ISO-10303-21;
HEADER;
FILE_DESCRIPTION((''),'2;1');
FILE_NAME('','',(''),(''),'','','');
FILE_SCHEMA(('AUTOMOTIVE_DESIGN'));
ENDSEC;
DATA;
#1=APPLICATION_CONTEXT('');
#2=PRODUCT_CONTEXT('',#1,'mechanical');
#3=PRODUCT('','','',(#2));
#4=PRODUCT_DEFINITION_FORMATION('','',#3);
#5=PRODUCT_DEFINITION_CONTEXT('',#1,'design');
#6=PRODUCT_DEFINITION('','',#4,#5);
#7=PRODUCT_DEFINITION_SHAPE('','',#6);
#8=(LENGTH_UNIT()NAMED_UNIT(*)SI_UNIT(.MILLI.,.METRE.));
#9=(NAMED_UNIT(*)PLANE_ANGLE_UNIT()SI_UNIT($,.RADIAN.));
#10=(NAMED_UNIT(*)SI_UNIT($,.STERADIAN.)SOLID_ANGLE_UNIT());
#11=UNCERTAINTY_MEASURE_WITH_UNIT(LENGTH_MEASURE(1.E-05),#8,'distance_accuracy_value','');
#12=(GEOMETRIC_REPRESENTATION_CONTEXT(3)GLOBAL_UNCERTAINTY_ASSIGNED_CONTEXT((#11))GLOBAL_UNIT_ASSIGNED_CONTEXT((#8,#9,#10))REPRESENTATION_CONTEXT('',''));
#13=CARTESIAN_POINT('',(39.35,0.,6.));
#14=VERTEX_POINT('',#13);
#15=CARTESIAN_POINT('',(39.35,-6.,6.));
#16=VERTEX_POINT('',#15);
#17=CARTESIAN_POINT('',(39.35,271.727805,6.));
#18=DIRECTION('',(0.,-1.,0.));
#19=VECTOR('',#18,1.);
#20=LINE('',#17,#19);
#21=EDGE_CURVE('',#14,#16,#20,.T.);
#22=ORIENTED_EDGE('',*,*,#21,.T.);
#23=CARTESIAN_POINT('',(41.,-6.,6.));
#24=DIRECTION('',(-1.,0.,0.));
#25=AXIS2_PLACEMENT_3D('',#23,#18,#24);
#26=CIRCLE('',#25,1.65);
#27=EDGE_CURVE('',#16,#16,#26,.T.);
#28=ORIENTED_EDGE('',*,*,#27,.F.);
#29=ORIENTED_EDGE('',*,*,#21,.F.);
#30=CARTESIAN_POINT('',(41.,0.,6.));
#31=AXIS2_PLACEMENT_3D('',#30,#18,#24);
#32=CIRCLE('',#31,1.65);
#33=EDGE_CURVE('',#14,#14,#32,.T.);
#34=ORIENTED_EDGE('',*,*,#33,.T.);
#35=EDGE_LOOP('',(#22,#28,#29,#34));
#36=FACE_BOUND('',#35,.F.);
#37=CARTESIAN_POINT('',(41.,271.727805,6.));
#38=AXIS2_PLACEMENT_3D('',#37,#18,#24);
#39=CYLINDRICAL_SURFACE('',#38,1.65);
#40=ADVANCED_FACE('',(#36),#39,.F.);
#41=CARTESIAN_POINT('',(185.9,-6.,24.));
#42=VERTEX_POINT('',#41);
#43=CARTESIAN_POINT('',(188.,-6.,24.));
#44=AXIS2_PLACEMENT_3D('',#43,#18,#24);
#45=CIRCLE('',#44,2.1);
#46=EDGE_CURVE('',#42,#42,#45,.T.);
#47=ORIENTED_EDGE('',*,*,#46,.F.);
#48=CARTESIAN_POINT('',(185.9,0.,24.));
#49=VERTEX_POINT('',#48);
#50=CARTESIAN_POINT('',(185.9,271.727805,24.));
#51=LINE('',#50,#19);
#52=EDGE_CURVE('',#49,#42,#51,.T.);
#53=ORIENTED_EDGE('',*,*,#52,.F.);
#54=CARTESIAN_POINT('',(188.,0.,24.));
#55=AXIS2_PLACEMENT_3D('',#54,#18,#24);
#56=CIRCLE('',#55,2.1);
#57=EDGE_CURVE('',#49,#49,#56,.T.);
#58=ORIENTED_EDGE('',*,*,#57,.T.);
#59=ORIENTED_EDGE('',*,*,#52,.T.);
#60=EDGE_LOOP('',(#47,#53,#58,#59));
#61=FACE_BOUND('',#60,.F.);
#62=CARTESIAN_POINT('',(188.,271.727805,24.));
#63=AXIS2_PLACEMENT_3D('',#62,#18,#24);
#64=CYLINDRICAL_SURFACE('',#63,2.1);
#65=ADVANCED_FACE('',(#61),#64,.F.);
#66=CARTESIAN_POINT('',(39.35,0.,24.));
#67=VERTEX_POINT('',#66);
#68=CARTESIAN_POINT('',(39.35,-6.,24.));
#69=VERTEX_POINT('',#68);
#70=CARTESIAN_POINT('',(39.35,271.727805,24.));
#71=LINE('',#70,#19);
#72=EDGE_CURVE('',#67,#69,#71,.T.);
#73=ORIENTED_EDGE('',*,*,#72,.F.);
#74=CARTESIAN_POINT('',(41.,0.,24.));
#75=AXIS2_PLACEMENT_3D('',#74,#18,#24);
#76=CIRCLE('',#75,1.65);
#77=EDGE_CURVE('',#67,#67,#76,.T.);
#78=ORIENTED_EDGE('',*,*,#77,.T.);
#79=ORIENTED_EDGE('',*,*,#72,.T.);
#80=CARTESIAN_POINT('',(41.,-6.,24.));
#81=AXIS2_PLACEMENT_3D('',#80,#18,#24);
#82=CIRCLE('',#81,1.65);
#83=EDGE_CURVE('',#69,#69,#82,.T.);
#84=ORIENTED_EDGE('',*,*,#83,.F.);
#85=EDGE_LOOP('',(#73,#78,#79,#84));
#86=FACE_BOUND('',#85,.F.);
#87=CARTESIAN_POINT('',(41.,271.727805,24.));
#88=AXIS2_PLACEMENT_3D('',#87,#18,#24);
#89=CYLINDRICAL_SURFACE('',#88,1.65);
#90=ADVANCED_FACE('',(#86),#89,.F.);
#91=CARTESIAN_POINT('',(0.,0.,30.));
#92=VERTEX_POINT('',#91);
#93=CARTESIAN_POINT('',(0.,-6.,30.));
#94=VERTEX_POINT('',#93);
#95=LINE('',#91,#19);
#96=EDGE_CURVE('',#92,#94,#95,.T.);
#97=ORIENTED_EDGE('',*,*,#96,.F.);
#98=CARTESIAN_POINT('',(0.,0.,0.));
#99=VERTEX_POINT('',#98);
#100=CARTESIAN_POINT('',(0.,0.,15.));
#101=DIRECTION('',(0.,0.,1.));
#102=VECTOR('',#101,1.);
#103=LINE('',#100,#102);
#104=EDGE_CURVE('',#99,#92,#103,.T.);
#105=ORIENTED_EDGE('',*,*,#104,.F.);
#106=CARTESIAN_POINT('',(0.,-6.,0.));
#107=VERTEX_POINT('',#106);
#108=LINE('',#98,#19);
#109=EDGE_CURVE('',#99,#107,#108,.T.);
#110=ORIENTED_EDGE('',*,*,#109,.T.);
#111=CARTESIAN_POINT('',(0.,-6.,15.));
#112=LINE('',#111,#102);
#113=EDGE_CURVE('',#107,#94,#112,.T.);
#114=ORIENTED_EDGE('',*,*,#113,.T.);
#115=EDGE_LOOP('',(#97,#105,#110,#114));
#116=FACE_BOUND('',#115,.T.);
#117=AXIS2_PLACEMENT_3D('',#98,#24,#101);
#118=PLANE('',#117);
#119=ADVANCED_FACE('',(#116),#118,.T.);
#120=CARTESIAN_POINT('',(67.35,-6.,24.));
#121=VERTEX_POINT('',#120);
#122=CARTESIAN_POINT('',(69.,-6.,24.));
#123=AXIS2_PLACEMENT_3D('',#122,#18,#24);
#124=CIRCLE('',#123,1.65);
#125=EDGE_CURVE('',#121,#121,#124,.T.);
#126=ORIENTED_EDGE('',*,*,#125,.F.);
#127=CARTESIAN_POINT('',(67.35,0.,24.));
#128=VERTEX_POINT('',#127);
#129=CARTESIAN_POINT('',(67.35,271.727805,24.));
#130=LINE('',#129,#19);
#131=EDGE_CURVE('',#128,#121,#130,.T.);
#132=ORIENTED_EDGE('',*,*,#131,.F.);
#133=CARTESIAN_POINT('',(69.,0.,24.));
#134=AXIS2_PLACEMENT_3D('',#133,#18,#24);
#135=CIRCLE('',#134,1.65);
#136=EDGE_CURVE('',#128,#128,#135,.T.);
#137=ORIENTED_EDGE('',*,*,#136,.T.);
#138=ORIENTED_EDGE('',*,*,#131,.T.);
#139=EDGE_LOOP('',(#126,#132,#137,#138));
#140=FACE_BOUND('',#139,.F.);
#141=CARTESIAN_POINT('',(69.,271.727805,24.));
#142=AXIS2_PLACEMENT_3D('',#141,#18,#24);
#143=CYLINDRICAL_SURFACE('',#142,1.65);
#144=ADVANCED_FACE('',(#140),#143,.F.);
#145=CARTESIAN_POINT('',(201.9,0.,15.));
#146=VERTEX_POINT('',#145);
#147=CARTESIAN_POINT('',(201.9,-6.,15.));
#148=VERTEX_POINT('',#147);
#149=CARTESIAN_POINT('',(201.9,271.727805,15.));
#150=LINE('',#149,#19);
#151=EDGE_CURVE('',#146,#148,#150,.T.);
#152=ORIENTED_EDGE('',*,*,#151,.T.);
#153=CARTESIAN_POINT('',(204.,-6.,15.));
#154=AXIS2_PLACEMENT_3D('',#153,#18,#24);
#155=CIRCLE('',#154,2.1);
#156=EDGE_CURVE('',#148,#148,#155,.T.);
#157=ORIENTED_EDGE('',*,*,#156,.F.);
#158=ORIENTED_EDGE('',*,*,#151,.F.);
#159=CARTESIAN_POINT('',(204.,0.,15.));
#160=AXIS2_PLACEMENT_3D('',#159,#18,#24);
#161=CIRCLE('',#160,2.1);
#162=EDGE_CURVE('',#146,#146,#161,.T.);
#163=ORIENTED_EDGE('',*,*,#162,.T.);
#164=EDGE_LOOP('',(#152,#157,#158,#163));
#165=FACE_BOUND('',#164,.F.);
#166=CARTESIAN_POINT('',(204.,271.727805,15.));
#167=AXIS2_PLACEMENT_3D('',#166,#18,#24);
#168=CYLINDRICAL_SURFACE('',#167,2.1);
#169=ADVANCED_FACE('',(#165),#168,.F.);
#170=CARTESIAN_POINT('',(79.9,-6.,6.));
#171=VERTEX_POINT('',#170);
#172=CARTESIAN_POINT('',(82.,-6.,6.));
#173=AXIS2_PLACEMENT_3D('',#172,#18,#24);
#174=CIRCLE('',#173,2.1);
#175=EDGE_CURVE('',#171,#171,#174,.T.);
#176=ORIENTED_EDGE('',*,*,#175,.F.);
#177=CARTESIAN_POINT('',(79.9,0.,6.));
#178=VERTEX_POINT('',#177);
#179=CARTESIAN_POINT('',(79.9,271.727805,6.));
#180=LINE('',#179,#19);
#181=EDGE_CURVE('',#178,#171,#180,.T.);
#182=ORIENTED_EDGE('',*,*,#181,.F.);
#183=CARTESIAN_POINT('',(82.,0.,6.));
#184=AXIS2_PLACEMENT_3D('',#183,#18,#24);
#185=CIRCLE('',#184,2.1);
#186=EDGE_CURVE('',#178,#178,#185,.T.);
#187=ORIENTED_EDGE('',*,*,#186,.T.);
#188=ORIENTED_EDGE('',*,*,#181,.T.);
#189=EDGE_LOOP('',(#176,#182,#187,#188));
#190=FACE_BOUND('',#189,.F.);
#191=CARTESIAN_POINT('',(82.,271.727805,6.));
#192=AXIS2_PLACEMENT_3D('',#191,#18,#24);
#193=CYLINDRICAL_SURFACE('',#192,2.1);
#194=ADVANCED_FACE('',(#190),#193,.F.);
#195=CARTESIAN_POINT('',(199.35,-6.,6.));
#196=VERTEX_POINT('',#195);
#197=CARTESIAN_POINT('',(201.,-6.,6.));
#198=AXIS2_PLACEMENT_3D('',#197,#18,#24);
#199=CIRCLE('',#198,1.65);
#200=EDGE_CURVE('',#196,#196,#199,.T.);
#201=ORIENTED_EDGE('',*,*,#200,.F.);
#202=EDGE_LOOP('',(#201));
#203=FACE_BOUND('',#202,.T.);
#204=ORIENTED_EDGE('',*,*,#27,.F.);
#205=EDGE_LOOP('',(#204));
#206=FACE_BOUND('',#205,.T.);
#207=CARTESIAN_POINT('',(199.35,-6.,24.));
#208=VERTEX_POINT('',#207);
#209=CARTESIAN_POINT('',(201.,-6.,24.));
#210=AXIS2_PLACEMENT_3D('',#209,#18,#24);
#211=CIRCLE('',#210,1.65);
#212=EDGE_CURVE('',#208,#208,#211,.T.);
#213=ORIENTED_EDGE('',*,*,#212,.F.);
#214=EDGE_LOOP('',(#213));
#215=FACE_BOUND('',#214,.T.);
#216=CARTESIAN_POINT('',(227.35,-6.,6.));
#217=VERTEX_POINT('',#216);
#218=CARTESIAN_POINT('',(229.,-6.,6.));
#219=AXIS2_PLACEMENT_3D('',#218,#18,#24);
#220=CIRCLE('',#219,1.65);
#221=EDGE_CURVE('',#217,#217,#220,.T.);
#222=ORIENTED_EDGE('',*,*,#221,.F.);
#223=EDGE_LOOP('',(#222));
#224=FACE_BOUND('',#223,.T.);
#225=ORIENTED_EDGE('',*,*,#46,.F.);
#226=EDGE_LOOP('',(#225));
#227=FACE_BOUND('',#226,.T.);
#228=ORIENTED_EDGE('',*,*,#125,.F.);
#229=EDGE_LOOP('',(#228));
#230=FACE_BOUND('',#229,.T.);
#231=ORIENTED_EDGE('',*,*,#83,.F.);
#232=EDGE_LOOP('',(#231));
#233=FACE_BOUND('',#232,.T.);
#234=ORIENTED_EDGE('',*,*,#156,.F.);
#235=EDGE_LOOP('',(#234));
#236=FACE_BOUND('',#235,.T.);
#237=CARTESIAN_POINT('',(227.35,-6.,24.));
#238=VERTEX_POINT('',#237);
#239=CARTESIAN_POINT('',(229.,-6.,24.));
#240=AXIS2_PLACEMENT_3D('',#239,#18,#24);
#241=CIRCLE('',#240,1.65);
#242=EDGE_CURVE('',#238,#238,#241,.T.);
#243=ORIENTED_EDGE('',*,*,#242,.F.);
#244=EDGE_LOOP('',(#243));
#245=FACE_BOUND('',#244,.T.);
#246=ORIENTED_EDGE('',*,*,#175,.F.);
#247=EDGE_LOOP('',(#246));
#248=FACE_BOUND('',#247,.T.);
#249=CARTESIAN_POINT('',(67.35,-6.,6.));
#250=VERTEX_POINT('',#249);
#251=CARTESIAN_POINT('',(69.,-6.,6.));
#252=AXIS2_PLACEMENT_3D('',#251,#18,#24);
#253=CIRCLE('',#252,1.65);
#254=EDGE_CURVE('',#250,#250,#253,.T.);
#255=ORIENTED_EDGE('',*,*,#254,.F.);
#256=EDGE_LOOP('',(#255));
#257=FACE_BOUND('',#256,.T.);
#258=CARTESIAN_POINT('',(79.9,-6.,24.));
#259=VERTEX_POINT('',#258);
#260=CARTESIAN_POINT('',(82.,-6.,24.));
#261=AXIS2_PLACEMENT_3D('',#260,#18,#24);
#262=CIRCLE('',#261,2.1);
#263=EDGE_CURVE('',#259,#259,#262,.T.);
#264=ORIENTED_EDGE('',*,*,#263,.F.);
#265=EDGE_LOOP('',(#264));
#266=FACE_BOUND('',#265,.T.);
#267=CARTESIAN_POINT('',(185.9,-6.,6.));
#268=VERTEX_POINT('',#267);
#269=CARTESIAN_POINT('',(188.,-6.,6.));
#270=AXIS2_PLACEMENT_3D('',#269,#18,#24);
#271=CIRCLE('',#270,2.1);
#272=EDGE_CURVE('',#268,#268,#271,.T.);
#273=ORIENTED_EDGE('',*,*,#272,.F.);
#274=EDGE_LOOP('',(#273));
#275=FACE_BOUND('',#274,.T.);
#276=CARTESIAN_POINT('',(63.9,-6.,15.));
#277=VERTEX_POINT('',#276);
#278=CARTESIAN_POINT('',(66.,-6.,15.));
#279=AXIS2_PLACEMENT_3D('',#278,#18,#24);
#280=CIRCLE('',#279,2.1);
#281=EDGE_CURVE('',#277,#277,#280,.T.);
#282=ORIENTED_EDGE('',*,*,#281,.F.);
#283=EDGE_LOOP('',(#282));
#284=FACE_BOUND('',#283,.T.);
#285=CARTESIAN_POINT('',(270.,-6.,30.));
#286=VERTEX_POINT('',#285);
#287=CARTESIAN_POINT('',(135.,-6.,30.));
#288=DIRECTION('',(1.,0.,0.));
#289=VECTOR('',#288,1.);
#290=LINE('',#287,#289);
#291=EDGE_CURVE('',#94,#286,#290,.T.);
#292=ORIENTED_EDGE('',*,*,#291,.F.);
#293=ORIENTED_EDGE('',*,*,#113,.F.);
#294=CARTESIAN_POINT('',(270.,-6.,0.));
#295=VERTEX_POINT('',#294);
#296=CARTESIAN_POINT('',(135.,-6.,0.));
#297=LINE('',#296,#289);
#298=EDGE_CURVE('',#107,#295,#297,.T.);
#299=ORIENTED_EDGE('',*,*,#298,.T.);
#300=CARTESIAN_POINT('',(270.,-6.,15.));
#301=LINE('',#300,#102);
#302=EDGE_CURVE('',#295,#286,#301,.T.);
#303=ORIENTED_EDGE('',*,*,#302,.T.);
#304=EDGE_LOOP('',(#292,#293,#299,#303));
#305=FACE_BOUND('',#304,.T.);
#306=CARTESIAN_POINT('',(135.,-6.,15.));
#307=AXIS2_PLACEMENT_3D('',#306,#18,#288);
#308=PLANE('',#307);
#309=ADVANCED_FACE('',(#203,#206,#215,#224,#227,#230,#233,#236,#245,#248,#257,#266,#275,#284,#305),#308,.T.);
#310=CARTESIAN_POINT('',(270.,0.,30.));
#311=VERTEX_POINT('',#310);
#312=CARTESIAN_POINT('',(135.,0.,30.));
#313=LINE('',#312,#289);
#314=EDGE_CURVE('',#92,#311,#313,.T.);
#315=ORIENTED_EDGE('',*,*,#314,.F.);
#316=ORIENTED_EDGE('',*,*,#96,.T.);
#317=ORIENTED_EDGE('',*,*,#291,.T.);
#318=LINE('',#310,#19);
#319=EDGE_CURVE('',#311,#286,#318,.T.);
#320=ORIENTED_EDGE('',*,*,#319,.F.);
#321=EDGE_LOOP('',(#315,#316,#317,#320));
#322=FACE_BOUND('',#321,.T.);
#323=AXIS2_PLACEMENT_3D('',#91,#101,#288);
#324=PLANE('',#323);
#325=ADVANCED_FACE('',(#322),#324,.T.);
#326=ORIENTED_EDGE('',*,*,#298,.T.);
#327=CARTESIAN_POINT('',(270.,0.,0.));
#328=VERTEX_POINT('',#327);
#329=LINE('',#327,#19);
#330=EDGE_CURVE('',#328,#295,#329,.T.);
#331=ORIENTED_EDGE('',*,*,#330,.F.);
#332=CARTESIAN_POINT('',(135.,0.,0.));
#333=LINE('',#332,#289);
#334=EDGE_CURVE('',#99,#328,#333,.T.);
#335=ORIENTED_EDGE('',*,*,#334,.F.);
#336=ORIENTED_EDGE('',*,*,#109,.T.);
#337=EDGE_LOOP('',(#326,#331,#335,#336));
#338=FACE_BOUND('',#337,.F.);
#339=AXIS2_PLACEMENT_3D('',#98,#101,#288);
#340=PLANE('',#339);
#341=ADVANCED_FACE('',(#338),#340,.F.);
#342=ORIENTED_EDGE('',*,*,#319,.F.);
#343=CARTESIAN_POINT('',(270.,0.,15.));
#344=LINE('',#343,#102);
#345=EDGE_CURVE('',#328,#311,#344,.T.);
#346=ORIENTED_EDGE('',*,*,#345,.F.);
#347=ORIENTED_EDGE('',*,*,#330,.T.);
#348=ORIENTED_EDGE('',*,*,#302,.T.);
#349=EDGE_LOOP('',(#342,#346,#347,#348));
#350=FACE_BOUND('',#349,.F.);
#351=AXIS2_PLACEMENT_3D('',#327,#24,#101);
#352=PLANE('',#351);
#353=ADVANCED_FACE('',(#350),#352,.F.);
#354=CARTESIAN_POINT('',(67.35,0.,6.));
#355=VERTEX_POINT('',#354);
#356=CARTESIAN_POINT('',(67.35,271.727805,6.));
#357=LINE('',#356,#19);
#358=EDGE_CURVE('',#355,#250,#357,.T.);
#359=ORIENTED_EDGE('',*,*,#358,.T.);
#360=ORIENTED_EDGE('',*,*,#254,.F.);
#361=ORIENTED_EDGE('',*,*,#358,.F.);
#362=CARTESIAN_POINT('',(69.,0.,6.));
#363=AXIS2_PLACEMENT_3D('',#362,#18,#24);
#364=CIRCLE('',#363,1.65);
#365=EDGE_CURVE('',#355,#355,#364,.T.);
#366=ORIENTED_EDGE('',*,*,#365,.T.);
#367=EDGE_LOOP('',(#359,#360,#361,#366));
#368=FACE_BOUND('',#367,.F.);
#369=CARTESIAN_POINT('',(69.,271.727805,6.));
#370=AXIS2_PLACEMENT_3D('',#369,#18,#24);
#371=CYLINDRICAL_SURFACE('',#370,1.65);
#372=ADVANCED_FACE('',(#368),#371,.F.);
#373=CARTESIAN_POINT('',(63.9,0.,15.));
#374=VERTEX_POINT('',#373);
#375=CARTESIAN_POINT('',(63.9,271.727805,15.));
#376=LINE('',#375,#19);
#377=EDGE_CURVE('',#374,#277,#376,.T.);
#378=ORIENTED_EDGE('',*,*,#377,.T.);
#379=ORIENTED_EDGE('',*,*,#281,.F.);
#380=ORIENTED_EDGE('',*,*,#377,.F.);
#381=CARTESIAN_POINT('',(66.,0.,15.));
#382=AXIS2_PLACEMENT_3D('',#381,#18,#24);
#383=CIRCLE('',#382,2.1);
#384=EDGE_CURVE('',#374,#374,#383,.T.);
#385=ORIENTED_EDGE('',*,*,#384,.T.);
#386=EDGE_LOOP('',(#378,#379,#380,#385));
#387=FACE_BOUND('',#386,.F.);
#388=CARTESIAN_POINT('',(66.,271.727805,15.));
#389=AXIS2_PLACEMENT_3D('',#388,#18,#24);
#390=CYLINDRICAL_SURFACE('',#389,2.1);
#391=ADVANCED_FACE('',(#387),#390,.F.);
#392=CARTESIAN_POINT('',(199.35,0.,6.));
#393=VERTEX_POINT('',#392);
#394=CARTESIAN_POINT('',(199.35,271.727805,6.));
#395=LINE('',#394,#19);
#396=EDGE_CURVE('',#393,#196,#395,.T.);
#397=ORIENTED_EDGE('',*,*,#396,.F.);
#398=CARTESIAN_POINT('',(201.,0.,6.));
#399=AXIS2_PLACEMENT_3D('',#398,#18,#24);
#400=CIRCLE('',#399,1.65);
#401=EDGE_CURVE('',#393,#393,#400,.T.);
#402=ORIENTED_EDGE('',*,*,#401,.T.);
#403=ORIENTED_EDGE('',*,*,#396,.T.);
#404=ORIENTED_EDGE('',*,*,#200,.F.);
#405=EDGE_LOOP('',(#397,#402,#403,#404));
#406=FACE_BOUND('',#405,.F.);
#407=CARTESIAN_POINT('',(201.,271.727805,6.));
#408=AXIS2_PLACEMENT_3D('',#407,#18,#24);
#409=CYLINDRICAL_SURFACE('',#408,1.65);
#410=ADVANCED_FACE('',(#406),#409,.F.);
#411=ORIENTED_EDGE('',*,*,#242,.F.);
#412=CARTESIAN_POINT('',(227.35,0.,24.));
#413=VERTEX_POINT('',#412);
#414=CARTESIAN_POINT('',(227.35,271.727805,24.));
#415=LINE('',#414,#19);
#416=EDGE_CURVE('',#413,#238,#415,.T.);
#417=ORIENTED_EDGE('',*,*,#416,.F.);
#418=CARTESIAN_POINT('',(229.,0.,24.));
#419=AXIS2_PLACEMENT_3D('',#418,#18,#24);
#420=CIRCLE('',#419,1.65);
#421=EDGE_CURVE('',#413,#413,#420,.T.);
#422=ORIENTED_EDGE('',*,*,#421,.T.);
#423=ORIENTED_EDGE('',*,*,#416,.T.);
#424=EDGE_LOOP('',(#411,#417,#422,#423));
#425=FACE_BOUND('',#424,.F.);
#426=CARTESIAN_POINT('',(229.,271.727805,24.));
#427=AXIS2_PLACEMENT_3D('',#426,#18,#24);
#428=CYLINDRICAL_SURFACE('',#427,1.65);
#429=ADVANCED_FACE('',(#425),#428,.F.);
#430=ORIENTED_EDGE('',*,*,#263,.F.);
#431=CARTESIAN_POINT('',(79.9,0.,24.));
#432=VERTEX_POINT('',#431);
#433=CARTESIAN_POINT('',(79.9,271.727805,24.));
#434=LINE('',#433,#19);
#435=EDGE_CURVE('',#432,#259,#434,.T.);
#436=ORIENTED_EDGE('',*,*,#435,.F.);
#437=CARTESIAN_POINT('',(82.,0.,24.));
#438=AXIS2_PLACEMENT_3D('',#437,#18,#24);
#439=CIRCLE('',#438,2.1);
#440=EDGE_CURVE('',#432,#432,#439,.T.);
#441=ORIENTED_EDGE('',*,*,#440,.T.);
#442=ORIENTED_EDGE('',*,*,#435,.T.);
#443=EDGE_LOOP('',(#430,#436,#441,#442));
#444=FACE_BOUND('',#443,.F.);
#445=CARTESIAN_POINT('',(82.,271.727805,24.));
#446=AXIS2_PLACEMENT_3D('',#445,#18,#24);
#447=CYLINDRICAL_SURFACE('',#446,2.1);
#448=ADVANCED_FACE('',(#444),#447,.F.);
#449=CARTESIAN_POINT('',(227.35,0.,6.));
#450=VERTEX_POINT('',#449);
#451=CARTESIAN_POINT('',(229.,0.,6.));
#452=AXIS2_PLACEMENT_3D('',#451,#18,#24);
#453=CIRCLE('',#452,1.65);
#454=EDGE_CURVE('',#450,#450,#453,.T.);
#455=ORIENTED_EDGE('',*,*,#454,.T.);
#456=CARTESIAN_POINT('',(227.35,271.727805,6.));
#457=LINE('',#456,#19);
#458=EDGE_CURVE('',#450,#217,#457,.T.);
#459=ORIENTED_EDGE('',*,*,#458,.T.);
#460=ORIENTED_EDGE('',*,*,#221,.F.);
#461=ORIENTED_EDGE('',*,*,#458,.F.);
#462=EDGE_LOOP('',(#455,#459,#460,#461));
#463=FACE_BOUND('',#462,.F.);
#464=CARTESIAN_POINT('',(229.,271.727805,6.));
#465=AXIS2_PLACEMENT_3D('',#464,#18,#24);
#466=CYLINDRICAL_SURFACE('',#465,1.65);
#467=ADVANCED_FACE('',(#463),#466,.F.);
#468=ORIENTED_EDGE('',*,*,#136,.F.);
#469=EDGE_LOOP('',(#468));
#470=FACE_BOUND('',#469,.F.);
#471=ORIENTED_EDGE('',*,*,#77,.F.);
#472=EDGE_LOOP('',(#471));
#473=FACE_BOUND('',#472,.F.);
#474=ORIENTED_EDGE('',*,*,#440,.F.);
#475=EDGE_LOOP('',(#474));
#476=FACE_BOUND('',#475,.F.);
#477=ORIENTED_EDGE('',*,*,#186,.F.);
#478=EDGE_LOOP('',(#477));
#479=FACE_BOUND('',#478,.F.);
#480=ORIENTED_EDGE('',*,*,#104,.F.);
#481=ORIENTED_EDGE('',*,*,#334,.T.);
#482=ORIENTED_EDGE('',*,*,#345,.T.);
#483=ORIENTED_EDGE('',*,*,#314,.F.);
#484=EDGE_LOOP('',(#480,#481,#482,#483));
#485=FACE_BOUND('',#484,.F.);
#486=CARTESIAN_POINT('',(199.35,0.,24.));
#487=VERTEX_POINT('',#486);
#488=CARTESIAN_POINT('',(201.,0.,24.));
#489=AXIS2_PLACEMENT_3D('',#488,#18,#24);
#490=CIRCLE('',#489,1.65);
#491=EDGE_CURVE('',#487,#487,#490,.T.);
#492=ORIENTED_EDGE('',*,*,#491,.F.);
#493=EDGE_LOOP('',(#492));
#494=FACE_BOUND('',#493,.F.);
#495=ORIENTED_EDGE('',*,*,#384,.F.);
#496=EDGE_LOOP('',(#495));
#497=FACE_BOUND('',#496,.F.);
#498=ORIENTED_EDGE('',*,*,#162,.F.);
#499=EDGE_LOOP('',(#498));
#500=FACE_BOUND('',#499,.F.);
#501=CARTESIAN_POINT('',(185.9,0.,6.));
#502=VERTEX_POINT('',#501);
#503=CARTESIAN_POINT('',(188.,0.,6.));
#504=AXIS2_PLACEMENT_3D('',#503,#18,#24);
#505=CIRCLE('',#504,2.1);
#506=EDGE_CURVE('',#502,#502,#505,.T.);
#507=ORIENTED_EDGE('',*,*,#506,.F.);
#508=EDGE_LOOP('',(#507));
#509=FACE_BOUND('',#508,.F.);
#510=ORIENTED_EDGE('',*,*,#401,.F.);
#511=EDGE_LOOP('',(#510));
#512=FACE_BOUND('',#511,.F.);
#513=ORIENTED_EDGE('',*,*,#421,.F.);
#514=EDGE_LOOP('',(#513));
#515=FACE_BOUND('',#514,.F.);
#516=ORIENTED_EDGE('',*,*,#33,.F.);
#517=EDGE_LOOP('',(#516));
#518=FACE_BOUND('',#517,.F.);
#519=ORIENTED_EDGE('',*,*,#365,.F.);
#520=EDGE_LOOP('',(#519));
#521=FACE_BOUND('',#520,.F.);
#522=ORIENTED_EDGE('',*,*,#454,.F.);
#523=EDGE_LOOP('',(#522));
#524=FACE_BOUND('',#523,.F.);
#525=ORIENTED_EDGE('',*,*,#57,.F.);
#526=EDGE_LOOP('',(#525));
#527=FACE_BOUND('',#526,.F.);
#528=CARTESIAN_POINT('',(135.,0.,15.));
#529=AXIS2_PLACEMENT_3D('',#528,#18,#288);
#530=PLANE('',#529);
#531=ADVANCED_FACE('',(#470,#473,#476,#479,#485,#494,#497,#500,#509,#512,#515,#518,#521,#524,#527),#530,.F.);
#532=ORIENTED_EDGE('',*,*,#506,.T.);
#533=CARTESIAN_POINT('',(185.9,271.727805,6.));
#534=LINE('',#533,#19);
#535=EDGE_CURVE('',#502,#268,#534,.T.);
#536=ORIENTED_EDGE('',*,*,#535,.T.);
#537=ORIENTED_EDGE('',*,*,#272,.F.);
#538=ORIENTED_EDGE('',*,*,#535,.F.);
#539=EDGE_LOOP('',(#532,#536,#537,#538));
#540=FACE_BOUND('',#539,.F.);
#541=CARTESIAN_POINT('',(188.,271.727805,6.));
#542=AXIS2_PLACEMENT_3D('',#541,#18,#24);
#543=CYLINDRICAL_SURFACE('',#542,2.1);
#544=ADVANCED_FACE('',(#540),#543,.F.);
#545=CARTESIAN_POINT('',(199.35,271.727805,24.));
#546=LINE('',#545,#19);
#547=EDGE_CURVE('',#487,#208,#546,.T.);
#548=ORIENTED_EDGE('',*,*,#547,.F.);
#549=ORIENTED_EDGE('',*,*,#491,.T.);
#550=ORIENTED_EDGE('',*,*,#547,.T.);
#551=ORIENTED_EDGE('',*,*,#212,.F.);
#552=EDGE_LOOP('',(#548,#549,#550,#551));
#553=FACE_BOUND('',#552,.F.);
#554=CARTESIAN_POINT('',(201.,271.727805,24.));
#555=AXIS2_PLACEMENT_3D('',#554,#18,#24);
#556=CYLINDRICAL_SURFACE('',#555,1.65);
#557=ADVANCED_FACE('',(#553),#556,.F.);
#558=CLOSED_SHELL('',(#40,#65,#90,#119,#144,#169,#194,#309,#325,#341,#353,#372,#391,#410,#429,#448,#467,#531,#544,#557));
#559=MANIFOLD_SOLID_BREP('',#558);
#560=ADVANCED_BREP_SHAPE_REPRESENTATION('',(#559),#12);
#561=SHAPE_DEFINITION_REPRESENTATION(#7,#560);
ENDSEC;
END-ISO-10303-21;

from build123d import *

# Parameters (mm, degrees)
F0_W     = 270
F0_H     = 30
F1_DEPTH = 6
F3_D     = 4.2
F5_D     = 3.3


with BuildPart() as f1:
    # F0 (on Front) → F1 (new body)
    with BuildSketch(Plane.XZ):
        with Locations((135, 15)):
            Rectangle(F0_W, F0_H)
    extrude(amount=F1_DEPTH)

    # F3 (through all)
    with Locations(Plane(origin=(0, 0, 0), x_dir=(1, 0, 0), z_dir=(0, 1, 0))):
        with Locations((66, -15), (82, -24), (82, -6), (204, -15), (188, -24), (188, -6)):
            Hole(F3_D / 2)

    # F5 (through all)
    with Locations(Plane(origin=(0, 0, 0), x_dir=(1, 0, 0), z_dir=(0, 1, 0))):
        with Locations((41, -24), (69, -24), (69, -6), (41, -6), (201, -24), (229, -24), (229, -6), (201, -6)):
            Hole(F5_D / 2)


solid = f1.part
